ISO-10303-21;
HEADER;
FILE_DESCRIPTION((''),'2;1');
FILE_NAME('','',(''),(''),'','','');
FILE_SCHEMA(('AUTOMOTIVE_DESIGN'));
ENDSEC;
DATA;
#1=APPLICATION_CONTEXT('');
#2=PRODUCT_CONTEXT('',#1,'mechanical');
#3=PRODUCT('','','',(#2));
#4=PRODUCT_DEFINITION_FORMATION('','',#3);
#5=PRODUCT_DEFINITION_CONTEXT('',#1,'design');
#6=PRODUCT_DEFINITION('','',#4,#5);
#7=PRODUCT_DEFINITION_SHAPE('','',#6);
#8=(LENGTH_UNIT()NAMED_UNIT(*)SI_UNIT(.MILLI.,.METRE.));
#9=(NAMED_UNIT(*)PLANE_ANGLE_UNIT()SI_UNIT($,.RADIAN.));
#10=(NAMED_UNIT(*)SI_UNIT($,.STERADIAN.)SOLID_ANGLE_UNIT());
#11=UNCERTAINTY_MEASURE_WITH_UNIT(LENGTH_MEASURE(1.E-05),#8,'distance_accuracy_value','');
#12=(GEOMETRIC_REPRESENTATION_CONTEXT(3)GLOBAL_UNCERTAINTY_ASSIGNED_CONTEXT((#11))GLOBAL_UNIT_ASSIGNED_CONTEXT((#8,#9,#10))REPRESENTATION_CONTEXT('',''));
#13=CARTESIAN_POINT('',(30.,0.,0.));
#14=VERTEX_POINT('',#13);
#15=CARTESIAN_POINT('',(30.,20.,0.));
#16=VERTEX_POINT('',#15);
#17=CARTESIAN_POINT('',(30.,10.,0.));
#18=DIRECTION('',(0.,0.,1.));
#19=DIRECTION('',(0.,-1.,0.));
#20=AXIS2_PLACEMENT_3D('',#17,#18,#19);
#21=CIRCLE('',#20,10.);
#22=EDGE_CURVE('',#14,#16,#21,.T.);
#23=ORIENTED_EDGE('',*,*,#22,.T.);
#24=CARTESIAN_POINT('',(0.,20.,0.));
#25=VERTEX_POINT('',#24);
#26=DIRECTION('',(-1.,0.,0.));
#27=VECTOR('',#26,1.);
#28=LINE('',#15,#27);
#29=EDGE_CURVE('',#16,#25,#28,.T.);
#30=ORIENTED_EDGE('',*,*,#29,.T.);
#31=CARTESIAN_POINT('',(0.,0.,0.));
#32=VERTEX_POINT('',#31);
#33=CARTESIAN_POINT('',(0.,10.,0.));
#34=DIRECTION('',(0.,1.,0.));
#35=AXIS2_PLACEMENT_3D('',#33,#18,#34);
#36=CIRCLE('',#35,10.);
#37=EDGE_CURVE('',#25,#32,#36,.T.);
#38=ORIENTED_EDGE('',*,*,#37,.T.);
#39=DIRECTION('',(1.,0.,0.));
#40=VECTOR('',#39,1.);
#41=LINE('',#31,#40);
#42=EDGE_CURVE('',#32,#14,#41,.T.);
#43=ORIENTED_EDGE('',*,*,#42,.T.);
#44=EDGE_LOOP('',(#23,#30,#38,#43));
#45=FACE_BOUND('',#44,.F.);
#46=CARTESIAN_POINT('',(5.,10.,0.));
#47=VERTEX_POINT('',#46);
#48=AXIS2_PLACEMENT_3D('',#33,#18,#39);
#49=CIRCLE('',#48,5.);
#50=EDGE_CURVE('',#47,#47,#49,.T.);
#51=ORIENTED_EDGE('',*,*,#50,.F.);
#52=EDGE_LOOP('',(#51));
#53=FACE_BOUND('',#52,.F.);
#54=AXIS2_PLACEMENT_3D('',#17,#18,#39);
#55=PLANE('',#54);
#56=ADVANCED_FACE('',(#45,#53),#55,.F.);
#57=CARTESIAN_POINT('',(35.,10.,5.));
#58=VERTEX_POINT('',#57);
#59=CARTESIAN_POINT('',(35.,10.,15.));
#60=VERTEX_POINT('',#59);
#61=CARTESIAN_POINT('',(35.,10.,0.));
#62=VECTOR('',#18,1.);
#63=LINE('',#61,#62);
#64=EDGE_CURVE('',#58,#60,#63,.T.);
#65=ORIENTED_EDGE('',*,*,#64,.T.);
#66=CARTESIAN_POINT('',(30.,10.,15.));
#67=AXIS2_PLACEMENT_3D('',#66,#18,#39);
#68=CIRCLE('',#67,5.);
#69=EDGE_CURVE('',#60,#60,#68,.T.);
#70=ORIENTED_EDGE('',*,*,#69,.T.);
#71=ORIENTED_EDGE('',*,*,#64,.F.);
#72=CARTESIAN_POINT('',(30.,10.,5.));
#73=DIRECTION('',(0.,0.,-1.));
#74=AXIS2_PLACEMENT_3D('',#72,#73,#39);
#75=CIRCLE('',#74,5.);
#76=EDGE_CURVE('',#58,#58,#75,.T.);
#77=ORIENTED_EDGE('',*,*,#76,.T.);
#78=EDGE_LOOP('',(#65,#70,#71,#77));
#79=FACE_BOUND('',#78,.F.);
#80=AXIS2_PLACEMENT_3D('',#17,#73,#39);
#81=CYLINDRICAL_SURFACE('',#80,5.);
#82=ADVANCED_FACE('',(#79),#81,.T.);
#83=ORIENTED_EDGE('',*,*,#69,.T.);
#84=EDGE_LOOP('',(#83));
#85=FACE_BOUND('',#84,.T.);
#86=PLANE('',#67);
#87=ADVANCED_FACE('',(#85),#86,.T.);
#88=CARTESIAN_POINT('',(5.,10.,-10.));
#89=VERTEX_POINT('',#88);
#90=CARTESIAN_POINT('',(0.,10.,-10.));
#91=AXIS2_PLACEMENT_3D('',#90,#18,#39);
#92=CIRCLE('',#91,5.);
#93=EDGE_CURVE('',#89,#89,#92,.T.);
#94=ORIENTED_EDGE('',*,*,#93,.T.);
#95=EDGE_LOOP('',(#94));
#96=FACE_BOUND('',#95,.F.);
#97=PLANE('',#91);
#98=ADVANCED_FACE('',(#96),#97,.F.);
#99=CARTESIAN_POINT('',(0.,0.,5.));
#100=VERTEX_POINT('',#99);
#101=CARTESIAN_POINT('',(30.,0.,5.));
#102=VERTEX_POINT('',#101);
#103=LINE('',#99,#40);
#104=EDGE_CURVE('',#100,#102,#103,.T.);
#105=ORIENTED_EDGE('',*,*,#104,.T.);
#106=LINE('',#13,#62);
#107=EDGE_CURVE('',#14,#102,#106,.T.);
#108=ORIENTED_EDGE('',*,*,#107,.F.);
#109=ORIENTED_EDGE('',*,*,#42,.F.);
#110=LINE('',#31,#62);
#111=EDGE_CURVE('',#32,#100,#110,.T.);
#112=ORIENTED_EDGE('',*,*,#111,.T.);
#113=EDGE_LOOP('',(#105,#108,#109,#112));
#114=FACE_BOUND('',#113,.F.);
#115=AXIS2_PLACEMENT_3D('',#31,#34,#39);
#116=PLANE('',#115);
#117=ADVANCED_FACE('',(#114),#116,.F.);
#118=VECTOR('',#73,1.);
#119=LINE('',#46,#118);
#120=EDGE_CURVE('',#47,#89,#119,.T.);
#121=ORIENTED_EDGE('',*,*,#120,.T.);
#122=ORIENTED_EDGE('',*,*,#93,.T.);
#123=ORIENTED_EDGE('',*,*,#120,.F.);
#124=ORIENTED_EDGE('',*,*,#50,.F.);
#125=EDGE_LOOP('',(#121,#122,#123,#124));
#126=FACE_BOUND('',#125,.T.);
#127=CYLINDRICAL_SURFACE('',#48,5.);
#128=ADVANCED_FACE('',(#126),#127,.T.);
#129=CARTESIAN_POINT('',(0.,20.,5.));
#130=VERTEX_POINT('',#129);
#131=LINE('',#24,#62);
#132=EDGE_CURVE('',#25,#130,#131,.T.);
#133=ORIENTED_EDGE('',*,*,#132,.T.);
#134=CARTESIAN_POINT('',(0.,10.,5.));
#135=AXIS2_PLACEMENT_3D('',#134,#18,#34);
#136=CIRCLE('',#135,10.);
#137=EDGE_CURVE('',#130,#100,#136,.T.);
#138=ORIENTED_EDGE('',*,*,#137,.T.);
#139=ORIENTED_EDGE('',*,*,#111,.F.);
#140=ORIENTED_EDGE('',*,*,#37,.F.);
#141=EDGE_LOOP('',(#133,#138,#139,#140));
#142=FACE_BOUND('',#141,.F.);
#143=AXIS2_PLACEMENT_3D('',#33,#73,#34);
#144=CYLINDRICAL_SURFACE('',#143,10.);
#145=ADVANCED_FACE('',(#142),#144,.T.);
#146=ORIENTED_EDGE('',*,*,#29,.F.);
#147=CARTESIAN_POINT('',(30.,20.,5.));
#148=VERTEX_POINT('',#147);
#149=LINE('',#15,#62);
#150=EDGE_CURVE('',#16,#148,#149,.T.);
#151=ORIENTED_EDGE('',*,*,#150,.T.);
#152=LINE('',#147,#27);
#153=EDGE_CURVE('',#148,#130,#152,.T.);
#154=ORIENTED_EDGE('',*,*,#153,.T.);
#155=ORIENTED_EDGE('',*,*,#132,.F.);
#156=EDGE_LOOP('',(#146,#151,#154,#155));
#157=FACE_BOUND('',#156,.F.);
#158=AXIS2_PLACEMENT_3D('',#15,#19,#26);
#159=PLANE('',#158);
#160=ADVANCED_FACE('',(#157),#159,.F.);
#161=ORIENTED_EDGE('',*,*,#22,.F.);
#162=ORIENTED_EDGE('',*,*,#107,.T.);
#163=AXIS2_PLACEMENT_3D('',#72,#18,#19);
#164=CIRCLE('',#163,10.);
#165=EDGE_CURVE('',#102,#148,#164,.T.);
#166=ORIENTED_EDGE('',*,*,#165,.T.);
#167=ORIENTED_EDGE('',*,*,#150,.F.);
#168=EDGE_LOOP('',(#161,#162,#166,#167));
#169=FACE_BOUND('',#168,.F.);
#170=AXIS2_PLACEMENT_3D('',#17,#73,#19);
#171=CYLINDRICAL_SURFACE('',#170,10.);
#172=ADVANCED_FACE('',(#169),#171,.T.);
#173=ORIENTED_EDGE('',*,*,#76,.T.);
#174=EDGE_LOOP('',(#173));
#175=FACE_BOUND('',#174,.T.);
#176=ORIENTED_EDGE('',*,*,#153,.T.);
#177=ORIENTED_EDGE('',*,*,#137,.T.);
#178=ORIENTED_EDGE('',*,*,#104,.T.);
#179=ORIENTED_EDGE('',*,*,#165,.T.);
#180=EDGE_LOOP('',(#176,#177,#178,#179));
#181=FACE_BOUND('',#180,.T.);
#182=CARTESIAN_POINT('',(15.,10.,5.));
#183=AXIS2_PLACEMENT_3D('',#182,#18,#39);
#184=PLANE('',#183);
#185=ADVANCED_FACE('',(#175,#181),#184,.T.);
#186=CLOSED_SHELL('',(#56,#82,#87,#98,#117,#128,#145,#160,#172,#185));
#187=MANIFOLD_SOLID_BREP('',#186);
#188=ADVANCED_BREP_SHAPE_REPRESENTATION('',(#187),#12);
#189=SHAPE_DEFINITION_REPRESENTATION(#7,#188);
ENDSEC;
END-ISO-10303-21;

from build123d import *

# Parameters (mm, degrees)
F1_DEPTH = 5
F2_R     = 5
F3_DEPTH = 10
F4_R     = 5
F5_DEPTH = 15


with BuildPart() as f1:
    # F0 (on Top) → F1 (new body)
    with BuildSketch(Plane.XY):
        with BuildLine():
            ThreePointArc((0, 20), (-10, 10), (0, 0))
            Line((0, 0), (30, 0))
            ThreePointArc((30, 0), (40, 10), (30, 20))
            Line((30, 20), (0, 20))
        make_face()
    extrude(amount=F1_DEPTH)

    # F2 (on Top) → F3 (join)
    with BuildSketch(Plane.XY):
        with Locations((0, 10)):
            Circle(F2_R)
    extrude(amount=-F3_DEPTH)

    # F4 (on Top) → F5 (join)
    with BuildSketch(Plane.XY):
        with Locations((30, 10)):
            Circle(F4_R)
    extrude(amount=F5_DEPTH)


solid = f1.part
